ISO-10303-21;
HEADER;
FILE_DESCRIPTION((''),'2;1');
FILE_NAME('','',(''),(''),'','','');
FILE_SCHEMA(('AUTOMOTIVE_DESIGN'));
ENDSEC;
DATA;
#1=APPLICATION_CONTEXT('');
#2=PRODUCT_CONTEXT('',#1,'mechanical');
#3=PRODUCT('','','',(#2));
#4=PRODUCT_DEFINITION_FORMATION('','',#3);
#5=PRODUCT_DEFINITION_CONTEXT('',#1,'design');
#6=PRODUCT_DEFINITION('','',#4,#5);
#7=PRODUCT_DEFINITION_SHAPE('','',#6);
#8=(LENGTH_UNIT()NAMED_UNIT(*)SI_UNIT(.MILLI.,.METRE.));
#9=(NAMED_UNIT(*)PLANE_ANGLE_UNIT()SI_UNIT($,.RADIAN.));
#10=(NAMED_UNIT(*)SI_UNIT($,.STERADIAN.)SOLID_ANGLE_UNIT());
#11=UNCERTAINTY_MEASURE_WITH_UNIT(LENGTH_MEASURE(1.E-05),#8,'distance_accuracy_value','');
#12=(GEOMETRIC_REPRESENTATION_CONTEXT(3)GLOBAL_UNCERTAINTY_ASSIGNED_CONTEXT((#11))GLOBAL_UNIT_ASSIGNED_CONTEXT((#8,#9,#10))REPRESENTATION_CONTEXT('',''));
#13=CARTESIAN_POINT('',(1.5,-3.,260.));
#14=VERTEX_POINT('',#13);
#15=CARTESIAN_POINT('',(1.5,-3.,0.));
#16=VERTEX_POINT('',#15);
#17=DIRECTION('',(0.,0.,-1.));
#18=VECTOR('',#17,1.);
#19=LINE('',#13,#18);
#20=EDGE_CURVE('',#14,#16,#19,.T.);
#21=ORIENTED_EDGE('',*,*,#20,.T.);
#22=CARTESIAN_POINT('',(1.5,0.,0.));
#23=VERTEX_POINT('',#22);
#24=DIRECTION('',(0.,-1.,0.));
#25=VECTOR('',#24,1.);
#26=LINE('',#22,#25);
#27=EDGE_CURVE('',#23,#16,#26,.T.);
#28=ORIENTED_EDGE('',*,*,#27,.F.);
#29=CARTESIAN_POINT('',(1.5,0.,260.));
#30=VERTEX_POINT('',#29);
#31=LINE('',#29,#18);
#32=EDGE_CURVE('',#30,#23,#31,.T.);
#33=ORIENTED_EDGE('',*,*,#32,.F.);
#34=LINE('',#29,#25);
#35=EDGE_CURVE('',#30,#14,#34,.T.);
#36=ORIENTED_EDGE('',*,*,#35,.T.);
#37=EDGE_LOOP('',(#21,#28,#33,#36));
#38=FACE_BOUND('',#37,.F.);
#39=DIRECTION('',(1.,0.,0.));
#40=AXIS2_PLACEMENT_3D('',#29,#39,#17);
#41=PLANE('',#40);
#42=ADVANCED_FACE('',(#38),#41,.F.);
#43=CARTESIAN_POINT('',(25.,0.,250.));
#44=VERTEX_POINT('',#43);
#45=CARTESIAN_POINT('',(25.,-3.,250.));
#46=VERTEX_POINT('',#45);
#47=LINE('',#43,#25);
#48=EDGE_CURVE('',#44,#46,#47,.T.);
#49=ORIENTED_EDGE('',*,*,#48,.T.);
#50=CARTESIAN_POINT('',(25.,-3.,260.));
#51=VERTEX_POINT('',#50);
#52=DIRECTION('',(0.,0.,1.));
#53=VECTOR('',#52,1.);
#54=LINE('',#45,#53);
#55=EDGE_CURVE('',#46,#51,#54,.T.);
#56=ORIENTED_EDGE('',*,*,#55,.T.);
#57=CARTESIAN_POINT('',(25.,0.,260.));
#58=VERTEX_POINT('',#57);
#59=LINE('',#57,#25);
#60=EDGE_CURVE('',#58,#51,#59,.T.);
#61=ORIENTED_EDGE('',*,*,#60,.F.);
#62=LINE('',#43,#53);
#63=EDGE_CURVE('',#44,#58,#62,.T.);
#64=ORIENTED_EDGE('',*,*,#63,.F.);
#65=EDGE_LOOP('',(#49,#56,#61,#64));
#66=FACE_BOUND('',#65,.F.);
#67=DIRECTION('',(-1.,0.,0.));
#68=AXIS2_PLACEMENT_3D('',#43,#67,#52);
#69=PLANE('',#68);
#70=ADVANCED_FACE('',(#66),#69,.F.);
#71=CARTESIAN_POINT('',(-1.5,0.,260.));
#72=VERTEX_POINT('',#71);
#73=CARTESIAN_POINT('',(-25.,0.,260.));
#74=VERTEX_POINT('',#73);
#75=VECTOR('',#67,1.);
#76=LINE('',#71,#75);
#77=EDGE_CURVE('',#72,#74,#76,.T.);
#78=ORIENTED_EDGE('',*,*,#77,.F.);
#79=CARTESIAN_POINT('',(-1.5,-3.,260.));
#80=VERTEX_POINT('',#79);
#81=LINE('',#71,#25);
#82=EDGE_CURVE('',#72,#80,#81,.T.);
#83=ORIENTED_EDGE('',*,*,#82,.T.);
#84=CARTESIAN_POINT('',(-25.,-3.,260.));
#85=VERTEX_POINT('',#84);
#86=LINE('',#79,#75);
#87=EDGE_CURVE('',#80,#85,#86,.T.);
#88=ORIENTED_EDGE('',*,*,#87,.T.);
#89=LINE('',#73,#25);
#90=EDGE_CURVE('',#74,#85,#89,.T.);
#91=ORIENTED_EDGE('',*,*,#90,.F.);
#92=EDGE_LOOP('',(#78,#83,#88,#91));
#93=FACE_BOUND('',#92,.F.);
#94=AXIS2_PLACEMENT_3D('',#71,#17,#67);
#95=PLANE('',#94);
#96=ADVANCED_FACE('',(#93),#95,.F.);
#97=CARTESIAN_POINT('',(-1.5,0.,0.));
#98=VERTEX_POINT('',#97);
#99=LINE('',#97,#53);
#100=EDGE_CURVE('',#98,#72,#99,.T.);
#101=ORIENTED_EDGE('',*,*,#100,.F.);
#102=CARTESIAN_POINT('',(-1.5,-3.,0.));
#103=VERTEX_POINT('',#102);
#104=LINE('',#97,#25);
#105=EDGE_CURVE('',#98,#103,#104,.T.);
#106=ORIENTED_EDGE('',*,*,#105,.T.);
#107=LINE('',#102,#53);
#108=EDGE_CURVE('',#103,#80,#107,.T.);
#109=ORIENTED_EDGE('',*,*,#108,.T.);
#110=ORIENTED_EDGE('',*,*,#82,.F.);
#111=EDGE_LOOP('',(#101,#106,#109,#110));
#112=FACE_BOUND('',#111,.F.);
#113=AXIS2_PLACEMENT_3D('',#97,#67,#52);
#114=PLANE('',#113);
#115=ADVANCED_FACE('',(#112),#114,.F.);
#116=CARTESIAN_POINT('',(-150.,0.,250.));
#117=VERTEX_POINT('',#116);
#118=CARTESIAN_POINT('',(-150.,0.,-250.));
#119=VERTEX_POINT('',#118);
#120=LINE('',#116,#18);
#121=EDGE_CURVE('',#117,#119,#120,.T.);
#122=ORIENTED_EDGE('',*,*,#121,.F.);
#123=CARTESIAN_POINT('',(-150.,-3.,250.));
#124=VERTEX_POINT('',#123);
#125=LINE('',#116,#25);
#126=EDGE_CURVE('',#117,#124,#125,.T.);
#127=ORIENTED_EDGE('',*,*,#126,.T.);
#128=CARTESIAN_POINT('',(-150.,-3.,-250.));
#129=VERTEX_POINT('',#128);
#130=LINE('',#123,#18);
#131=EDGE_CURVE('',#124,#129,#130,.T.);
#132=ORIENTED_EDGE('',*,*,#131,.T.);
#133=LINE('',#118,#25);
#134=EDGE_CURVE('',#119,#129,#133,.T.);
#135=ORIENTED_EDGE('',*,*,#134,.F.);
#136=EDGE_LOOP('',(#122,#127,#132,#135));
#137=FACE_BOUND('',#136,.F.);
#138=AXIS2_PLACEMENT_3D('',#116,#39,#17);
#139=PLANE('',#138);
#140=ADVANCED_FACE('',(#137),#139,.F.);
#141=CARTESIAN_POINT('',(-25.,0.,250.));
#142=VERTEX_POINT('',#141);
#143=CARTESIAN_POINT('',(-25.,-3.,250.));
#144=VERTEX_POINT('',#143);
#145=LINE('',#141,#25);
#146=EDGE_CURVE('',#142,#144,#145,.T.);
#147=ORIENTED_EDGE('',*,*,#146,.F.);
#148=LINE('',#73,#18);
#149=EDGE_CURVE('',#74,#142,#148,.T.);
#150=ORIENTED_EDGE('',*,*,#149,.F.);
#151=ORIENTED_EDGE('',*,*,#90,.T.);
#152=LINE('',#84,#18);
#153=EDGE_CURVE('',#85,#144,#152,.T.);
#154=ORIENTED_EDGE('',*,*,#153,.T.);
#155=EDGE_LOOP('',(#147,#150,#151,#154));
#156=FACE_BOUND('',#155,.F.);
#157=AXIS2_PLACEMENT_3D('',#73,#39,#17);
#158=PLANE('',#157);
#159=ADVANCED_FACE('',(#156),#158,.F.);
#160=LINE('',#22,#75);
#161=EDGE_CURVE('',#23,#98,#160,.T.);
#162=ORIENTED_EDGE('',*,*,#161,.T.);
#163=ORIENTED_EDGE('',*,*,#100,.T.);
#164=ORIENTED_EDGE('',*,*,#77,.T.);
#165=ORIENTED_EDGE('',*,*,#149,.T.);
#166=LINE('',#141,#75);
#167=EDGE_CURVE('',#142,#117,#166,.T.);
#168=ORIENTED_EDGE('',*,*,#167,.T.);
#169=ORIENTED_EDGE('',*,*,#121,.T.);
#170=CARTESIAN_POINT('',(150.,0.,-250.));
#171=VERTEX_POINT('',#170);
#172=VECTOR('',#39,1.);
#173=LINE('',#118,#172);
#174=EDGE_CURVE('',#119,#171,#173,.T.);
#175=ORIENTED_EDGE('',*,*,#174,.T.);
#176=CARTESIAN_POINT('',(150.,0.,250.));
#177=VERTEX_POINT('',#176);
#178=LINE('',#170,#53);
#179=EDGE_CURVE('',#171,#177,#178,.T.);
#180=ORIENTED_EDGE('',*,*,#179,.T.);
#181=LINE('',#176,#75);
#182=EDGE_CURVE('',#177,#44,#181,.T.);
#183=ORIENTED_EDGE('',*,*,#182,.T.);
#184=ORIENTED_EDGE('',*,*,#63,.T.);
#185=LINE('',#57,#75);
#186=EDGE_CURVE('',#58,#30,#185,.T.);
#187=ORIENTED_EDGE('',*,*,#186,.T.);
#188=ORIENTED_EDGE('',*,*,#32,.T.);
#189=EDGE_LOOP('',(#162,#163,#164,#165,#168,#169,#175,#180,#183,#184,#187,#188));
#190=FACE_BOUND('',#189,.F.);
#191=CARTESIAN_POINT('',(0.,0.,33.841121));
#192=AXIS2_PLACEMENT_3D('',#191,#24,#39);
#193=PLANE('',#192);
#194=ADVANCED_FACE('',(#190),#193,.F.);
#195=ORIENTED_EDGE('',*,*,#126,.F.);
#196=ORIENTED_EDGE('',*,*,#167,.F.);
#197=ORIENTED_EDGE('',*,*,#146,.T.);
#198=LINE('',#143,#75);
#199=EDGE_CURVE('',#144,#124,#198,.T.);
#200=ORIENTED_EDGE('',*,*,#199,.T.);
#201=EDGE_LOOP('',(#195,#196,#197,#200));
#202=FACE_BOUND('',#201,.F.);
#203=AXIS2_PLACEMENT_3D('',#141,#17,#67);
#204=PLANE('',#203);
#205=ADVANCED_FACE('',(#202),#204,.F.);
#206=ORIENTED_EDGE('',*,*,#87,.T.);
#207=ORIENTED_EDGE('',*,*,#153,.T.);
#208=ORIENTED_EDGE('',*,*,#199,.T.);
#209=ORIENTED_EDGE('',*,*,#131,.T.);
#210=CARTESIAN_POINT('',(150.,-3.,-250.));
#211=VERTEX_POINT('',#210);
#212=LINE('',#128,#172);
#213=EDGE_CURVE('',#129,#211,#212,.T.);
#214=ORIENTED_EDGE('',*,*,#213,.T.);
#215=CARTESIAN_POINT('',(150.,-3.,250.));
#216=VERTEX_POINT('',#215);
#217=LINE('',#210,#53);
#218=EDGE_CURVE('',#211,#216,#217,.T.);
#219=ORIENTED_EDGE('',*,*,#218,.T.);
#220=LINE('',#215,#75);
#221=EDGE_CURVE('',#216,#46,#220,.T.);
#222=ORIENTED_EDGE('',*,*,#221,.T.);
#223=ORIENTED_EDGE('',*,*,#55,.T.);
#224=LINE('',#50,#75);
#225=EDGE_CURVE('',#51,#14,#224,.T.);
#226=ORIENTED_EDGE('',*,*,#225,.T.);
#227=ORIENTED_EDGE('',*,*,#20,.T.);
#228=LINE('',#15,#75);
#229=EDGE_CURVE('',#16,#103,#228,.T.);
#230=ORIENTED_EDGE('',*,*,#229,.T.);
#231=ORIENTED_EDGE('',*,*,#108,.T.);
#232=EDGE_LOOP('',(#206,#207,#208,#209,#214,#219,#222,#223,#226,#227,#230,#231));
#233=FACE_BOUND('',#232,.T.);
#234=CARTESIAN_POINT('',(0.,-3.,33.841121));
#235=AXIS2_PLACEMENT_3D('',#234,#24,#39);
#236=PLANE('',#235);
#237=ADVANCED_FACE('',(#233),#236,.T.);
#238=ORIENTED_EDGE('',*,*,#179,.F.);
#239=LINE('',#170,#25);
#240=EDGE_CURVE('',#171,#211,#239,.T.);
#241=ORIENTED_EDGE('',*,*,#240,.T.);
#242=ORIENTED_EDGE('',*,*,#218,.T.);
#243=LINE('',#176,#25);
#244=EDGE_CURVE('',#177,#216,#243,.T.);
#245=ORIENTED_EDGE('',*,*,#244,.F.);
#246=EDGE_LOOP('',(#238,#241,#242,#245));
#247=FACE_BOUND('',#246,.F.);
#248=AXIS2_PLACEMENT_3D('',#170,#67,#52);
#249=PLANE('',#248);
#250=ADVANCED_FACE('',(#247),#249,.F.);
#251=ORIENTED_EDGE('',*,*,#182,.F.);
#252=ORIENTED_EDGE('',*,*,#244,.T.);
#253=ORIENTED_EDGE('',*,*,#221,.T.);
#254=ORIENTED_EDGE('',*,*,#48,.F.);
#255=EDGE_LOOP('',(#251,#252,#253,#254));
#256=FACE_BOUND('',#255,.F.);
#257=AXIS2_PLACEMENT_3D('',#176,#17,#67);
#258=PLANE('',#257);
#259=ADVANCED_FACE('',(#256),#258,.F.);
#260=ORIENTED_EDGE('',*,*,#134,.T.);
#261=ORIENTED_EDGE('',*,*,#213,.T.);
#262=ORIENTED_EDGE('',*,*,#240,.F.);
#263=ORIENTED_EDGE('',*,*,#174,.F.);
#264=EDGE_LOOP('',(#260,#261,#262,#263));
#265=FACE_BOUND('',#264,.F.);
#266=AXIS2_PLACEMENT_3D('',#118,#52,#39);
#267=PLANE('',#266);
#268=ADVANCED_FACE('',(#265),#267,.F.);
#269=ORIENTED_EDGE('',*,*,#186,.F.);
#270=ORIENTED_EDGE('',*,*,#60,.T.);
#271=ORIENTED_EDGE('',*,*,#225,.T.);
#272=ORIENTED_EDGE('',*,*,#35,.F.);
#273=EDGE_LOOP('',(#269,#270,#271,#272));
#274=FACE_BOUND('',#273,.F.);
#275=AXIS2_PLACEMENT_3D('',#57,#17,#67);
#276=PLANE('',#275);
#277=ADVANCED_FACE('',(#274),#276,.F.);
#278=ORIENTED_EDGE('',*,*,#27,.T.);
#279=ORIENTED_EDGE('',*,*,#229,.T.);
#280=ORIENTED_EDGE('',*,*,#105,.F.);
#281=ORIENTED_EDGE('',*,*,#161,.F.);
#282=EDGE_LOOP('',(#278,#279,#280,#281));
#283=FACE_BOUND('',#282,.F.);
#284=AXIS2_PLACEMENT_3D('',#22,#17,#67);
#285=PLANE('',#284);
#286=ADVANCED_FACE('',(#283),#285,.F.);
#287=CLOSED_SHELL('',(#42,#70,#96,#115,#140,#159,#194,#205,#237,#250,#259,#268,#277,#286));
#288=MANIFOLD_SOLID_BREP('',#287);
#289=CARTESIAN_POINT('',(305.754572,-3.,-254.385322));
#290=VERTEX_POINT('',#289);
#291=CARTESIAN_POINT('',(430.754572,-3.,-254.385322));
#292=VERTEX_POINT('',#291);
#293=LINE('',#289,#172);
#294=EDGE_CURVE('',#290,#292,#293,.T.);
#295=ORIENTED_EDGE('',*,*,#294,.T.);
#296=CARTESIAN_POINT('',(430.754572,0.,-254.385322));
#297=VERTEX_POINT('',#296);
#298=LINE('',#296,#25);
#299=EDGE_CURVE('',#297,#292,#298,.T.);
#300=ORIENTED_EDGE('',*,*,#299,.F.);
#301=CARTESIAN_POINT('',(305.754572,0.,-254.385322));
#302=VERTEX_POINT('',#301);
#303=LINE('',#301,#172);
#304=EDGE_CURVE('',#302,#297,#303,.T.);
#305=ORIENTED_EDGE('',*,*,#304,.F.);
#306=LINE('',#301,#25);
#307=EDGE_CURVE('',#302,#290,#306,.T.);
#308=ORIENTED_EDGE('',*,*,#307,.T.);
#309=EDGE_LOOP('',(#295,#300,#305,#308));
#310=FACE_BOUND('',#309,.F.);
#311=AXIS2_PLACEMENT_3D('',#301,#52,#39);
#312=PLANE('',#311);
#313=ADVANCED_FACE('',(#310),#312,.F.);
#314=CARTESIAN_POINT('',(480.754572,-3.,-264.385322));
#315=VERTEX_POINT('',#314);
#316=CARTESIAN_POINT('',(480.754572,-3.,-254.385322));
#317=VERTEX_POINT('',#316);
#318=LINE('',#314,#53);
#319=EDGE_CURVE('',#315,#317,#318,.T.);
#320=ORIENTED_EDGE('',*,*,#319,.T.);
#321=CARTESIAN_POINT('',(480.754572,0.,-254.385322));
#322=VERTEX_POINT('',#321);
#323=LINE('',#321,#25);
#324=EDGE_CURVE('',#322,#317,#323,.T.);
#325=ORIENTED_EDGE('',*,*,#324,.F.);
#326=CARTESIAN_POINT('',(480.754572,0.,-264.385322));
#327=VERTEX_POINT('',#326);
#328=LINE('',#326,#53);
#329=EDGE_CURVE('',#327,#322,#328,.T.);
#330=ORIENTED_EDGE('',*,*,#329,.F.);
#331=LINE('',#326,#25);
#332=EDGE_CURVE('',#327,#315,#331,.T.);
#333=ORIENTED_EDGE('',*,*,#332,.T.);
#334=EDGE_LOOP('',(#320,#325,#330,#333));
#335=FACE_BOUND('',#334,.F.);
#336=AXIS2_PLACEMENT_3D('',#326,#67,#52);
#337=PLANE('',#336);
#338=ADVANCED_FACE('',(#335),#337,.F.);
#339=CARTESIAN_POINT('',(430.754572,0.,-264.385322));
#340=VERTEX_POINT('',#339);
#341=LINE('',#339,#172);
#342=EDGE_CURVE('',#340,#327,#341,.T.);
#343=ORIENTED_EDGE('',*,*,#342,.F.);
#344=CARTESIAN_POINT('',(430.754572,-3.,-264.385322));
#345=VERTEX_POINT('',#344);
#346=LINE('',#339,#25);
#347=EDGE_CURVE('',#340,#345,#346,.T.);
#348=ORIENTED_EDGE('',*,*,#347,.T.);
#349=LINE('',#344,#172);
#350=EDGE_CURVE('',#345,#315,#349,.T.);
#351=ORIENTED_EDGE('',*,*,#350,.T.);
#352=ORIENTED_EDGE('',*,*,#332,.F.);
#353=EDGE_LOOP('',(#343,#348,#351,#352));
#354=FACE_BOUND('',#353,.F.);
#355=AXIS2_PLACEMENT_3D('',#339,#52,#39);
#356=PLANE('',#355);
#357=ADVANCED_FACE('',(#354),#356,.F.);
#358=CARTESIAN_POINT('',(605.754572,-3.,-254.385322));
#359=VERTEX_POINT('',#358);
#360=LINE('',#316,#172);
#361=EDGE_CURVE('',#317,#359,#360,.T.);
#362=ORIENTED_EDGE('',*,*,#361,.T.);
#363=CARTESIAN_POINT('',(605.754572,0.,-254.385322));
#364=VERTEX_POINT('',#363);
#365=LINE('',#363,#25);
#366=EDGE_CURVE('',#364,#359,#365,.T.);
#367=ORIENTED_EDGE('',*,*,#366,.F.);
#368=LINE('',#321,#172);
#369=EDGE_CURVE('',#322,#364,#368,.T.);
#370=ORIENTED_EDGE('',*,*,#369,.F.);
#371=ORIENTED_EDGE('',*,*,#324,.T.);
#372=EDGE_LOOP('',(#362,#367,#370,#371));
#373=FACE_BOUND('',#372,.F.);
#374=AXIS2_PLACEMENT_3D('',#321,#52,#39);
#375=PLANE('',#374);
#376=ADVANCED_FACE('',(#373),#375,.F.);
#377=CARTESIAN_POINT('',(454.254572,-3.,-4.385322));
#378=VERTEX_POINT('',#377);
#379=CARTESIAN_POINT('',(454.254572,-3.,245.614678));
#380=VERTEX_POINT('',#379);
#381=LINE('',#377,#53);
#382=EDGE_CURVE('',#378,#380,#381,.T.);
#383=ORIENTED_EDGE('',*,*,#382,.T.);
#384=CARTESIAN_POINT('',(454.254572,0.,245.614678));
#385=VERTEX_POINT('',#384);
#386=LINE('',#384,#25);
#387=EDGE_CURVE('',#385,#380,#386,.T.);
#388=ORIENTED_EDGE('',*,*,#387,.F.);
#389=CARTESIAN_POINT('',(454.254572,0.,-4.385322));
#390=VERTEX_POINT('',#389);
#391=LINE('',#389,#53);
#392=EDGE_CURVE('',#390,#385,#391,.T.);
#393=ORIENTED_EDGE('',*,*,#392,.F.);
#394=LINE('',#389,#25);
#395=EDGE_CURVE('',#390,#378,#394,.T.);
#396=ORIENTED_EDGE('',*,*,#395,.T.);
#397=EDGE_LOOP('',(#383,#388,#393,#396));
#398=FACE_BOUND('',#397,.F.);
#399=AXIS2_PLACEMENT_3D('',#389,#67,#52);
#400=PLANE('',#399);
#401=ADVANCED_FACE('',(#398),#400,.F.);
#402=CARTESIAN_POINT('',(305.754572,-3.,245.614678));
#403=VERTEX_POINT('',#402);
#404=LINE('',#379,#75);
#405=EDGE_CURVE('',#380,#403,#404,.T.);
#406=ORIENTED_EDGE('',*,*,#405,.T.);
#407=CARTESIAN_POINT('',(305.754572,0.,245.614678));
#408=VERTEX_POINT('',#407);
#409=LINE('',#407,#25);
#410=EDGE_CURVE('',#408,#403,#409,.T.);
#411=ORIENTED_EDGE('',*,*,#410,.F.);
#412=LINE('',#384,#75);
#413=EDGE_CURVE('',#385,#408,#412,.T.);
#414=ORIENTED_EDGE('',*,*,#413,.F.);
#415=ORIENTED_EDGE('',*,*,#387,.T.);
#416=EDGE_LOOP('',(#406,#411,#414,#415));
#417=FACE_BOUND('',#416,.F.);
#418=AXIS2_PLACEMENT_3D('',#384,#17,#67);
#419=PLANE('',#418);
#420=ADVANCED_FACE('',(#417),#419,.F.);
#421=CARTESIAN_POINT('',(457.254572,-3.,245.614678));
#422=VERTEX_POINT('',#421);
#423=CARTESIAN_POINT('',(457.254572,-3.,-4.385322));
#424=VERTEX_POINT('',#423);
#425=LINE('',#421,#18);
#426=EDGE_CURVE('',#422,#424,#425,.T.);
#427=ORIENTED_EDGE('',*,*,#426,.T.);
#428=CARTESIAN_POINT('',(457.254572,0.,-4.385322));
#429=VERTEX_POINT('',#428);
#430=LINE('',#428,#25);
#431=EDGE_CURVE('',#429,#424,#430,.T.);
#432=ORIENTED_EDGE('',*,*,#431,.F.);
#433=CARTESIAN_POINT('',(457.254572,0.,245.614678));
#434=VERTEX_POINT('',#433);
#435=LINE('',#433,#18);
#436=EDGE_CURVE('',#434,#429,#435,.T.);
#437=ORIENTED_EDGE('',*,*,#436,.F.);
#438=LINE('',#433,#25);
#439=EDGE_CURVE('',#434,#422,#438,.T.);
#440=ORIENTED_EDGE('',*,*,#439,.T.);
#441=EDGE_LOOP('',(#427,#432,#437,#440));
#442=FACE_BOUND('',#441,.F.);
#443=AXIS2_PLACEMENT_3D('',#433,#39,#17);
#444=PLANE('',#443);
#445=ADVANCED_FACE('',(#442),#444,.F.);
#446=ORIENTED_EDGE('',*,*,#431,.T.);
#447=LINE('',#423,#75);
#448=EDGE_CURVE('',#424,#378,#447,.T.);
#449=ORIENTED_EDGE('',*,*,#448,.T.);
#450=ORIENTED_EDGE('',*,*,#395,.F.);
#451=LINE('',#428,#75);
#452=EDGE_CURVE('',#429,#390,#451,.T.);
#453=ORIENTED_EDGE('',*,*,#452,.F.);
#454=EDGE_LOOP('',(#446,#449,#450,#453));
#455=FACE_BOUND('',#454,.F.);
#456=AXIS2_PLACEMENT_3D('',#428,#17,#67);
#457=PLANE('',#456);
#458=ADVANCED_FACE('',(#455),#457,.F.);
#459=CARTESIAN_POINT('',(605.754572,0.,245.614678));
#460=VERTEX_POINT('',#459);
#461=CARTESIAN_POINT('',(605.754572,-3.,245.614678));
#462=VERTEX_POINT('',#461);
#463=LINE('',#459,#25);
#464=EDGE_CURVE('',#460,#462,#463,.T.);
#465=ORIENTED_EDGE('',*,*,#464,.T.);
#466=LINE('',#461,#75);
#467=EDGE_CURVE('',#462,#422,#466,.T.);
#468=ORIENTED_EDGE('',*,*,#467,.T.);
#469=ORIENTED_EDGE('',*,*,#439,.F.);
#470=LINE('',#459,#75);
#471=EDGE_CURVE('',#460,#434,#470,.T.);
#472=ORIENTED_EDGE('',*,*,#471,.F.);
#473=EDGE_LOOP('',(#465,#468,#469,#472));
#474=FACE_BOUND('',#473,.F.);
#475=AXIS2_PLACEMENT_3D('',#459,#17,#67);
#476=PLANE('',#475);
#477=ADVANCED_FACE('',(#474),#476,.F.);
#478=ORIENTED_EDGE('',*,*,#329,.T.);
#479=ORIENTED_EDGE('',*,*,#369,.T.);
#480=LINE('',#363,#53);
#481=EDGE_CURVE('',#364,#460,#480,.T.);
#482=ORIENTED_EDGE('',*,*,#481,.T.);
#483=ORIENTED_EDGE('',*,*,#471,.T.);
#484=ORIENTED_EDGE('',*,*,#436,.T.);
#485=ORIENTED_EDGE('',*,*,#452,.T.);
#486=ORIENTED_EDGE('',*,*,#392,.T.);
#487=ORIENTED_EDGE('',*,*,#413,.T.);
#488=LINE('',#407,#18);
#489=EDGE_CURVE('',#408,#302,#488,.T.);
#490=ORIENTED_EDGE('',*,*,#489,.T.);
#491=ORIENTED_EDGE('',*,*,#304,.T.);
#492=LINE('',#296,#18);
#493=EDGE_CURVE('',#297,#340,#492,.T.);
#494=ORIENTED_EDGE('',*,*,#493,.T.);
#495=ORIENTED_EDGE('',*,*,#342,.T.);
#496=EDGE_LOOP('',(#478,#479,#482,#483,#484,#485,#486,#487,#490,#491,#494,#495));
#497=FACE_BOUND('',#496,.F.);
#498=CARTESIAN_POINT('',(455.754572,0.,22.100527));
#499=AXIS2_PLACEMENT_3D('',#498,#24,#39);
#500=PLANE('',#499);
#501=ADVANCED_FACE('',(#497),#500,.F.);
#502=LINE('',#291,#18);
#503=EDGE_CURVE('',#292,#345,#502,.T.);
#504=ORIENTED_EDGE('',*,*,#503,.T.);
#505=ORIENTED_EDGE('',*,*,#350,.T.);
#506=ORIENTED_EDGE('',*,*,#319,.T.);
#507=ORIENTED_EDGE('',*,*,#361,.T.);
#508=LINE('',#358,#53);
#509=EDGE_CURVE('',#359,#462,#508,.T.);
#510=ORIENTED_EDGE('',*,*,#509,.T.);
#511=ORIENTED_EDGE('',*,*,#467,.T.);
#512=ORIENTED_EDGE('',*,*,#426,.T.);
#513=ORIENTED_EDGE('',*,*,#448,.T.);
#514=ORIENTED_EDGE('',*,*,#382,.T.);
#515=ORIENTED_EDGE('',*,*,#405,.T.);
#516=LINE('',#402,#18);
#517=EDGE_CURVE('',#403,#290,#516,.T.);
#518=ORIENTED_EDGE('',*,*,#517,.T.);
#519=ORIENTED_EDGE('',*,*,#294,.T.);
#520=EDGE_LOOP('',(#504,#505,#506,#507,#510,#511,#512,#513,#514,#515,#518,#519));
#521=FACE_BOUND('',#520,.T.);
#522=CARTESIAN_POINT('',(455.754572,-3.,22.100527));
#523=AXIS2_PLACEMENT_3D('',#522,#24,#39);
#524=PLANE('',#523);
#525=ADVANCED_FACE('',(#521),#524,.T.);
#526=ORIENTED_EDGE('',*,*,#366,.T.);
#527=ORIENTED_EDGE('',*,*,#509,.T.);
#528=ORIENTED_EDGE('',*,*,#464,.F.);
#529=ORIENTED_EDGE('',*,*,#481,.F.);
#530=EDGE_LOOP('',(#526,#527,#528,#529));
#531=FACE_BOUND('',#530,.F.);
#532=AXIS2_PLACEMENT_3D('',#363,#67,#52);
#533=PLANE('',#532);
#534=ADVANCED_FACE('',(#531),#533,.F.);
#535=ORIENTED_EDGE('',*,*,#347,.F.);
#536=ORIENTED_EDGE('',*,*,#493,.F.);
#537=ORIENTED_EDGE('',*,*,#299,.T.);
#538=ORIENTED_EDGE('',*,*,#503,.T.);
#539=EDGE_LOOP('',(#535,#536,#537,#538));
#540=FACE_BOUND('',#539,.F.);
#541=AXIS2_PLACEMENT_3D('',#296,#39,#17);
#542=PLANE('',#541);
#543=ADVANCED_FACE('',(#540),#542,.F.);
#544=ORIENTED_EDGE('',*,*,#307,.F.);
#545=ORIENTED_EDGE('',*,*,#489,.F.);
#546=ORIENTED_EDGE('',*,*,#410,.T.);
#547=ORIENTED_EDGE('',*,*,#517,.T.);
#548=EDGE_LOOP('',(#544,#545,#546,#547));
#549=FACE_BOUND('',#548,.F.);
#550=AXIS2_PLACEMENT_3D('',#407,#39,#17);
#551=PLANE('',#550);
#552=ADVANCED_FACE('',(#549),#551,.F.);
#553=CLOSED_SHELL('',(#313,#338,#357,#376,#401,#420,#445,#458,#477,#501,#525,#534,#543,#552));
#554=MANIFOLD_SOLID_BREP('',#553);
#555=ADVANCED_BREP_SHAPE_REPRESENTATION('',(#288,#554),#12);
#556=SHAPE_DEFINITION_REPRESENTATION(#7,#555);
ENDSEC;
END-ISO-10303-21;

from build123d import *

# Parameters (mm, degrees)
F1_DEPTH = 3


with BuildPart() as f1:
    # F0 (on Front) → F1 (new body)
    with BuildSketch(Plane.XZ):
        Polygon((-150, 250), (-150, -250), (150, -250), (150, 250), (25, 250), (25, 260), (1.5, 260), (1.5, 250), (1.5, 0), (-1.5, 0), (-1.5, 250), (-1.5, 260), (-25, 260), (-25, 250), align=None)
        Polygon((305.754572, 245.614678), (305.754572, -254.385322), (430.754572, -254.385322), (430.754572, -264.385322), (454.254572, -264.385322), (457.254572, -264.385322), (480.754572, -264.385322), (480.754572, -254.385322), (605.754572, -254.385322), (605.754572, 245.614678), (480.754572, 245.614678), (457.254572, 245.614678), (457.254572, -4.385322), (454.254572, -4.385322), (454.254572, 245.614678), (430.754572, 245.614678), align=None)
    extrude(amount=F1_DEPTH)


solid = f1.part
